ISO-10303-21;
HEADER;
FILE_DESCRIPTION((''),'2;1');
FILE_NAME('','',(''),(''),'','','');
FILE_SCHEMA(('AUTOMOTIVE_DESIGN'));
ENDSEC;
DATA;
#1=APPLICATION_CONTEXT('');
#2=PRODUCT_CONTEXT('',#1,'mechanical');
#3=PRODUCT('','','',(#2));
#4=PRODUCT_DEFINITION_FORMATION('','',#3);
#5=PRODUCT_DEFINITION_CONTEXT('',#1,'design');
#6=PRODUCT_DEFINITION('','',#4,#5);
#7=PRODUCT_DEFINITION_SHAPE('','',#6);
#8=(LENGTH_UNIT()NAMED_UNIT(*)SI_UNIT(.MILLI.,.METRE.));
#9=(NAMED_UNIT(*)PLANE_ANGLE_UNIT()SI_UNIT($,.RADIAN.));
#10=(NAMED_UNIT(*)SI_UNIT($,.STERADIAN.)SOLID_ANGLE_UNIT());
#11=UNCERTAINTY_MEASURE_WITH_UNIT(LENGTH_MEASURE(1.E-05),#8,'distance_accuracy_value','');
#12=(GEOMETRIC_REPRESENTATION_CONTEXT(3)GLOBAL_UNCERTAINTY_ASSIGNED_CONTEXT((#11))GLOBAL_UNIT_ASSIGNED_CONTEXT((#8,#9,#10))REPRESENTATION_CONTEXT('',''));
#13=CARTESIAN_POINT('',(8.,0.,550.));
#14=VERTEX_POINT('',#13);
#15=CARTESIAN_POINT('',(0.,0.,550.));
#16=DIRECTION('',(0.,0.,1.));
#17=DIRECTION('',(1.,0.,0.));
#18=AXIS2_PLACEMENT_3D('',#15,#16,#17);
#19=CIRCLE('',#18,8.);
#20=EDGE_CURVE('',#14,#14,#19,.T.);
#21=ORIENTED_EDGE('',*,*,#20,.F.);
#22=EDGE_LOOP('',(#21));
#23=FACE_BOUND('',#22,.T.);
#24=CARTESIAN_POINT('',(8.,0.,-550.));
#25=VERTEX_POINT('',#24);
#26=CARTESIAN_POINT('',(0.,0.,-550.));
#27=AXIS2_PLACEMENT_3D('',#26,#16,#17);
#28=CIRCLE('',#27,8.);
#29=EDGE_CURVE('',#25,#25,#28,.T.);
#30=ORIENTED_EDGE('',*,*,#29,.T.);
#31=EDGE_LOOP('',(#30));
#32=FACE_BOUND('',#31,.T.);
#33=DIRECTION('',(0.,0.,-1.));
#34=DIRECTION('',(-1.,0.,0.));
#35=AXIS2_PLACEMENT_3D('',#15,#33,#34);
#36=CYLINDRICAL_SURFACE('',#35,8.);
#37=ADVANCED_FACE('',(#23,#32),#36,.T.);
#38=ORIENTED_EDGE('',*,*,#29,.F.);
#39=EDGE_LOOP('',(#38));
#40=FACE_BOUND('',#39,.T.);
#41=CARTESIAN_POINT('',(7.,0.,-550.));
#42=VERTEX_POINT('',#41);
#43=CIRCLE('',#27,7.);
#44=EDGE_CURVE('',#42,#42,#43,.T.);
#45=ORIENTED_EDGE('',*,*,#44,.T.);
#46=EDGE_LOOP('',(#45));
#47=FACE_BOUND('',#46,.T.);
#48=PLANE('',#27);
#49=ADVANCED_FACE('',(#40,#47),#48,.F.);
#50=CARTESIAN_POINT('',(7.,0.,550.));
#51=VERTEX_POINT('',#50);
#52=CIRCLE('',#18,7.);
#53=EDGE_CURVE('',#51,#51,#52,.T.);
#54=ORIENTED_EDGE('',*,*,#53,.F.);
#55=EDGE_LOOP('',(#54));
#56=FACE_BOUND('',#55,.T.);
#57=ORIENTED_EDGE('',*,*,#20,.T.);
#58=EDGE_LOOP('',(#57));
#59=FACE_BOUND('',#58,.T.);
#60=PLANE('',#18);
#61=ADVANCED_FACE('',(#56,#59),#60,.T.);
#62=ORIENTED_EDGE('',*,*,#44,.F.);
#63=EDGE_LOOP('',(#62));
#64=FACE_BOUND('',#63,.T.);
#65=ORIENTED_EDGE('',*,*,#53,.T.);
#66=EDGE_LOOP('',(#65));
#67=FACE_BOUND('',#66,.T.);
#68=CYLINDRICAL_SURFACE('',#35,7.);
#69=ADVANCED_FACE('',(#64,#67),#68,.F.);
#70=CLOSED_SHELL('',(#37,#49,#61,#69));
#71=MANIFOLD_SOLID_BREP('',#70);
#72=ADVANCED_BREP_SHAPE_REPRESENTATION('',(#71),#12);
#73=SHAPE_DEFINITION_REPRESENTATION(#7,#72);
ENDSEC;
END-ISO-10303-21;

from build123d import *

# Parameters (mm, degrees)
SKETCH_1_R      = 8
SKETCH_1_R_2    = 7
EXTRUDE_1_DEPTH = 550


with BuildPart() as part:
    # Эскиз1 → Бобышка-Вытянуть1 (new, symmetric)
    with BuildSketch(Plane.XY):
        Circle(SKETCH_1_R)
        Circle(SKETCH_1_R_2, mode=Mode.SUBTRACT)
    extrude(amount=EXTRUDE_1_DEPTH, both=True)


solid = part.part
